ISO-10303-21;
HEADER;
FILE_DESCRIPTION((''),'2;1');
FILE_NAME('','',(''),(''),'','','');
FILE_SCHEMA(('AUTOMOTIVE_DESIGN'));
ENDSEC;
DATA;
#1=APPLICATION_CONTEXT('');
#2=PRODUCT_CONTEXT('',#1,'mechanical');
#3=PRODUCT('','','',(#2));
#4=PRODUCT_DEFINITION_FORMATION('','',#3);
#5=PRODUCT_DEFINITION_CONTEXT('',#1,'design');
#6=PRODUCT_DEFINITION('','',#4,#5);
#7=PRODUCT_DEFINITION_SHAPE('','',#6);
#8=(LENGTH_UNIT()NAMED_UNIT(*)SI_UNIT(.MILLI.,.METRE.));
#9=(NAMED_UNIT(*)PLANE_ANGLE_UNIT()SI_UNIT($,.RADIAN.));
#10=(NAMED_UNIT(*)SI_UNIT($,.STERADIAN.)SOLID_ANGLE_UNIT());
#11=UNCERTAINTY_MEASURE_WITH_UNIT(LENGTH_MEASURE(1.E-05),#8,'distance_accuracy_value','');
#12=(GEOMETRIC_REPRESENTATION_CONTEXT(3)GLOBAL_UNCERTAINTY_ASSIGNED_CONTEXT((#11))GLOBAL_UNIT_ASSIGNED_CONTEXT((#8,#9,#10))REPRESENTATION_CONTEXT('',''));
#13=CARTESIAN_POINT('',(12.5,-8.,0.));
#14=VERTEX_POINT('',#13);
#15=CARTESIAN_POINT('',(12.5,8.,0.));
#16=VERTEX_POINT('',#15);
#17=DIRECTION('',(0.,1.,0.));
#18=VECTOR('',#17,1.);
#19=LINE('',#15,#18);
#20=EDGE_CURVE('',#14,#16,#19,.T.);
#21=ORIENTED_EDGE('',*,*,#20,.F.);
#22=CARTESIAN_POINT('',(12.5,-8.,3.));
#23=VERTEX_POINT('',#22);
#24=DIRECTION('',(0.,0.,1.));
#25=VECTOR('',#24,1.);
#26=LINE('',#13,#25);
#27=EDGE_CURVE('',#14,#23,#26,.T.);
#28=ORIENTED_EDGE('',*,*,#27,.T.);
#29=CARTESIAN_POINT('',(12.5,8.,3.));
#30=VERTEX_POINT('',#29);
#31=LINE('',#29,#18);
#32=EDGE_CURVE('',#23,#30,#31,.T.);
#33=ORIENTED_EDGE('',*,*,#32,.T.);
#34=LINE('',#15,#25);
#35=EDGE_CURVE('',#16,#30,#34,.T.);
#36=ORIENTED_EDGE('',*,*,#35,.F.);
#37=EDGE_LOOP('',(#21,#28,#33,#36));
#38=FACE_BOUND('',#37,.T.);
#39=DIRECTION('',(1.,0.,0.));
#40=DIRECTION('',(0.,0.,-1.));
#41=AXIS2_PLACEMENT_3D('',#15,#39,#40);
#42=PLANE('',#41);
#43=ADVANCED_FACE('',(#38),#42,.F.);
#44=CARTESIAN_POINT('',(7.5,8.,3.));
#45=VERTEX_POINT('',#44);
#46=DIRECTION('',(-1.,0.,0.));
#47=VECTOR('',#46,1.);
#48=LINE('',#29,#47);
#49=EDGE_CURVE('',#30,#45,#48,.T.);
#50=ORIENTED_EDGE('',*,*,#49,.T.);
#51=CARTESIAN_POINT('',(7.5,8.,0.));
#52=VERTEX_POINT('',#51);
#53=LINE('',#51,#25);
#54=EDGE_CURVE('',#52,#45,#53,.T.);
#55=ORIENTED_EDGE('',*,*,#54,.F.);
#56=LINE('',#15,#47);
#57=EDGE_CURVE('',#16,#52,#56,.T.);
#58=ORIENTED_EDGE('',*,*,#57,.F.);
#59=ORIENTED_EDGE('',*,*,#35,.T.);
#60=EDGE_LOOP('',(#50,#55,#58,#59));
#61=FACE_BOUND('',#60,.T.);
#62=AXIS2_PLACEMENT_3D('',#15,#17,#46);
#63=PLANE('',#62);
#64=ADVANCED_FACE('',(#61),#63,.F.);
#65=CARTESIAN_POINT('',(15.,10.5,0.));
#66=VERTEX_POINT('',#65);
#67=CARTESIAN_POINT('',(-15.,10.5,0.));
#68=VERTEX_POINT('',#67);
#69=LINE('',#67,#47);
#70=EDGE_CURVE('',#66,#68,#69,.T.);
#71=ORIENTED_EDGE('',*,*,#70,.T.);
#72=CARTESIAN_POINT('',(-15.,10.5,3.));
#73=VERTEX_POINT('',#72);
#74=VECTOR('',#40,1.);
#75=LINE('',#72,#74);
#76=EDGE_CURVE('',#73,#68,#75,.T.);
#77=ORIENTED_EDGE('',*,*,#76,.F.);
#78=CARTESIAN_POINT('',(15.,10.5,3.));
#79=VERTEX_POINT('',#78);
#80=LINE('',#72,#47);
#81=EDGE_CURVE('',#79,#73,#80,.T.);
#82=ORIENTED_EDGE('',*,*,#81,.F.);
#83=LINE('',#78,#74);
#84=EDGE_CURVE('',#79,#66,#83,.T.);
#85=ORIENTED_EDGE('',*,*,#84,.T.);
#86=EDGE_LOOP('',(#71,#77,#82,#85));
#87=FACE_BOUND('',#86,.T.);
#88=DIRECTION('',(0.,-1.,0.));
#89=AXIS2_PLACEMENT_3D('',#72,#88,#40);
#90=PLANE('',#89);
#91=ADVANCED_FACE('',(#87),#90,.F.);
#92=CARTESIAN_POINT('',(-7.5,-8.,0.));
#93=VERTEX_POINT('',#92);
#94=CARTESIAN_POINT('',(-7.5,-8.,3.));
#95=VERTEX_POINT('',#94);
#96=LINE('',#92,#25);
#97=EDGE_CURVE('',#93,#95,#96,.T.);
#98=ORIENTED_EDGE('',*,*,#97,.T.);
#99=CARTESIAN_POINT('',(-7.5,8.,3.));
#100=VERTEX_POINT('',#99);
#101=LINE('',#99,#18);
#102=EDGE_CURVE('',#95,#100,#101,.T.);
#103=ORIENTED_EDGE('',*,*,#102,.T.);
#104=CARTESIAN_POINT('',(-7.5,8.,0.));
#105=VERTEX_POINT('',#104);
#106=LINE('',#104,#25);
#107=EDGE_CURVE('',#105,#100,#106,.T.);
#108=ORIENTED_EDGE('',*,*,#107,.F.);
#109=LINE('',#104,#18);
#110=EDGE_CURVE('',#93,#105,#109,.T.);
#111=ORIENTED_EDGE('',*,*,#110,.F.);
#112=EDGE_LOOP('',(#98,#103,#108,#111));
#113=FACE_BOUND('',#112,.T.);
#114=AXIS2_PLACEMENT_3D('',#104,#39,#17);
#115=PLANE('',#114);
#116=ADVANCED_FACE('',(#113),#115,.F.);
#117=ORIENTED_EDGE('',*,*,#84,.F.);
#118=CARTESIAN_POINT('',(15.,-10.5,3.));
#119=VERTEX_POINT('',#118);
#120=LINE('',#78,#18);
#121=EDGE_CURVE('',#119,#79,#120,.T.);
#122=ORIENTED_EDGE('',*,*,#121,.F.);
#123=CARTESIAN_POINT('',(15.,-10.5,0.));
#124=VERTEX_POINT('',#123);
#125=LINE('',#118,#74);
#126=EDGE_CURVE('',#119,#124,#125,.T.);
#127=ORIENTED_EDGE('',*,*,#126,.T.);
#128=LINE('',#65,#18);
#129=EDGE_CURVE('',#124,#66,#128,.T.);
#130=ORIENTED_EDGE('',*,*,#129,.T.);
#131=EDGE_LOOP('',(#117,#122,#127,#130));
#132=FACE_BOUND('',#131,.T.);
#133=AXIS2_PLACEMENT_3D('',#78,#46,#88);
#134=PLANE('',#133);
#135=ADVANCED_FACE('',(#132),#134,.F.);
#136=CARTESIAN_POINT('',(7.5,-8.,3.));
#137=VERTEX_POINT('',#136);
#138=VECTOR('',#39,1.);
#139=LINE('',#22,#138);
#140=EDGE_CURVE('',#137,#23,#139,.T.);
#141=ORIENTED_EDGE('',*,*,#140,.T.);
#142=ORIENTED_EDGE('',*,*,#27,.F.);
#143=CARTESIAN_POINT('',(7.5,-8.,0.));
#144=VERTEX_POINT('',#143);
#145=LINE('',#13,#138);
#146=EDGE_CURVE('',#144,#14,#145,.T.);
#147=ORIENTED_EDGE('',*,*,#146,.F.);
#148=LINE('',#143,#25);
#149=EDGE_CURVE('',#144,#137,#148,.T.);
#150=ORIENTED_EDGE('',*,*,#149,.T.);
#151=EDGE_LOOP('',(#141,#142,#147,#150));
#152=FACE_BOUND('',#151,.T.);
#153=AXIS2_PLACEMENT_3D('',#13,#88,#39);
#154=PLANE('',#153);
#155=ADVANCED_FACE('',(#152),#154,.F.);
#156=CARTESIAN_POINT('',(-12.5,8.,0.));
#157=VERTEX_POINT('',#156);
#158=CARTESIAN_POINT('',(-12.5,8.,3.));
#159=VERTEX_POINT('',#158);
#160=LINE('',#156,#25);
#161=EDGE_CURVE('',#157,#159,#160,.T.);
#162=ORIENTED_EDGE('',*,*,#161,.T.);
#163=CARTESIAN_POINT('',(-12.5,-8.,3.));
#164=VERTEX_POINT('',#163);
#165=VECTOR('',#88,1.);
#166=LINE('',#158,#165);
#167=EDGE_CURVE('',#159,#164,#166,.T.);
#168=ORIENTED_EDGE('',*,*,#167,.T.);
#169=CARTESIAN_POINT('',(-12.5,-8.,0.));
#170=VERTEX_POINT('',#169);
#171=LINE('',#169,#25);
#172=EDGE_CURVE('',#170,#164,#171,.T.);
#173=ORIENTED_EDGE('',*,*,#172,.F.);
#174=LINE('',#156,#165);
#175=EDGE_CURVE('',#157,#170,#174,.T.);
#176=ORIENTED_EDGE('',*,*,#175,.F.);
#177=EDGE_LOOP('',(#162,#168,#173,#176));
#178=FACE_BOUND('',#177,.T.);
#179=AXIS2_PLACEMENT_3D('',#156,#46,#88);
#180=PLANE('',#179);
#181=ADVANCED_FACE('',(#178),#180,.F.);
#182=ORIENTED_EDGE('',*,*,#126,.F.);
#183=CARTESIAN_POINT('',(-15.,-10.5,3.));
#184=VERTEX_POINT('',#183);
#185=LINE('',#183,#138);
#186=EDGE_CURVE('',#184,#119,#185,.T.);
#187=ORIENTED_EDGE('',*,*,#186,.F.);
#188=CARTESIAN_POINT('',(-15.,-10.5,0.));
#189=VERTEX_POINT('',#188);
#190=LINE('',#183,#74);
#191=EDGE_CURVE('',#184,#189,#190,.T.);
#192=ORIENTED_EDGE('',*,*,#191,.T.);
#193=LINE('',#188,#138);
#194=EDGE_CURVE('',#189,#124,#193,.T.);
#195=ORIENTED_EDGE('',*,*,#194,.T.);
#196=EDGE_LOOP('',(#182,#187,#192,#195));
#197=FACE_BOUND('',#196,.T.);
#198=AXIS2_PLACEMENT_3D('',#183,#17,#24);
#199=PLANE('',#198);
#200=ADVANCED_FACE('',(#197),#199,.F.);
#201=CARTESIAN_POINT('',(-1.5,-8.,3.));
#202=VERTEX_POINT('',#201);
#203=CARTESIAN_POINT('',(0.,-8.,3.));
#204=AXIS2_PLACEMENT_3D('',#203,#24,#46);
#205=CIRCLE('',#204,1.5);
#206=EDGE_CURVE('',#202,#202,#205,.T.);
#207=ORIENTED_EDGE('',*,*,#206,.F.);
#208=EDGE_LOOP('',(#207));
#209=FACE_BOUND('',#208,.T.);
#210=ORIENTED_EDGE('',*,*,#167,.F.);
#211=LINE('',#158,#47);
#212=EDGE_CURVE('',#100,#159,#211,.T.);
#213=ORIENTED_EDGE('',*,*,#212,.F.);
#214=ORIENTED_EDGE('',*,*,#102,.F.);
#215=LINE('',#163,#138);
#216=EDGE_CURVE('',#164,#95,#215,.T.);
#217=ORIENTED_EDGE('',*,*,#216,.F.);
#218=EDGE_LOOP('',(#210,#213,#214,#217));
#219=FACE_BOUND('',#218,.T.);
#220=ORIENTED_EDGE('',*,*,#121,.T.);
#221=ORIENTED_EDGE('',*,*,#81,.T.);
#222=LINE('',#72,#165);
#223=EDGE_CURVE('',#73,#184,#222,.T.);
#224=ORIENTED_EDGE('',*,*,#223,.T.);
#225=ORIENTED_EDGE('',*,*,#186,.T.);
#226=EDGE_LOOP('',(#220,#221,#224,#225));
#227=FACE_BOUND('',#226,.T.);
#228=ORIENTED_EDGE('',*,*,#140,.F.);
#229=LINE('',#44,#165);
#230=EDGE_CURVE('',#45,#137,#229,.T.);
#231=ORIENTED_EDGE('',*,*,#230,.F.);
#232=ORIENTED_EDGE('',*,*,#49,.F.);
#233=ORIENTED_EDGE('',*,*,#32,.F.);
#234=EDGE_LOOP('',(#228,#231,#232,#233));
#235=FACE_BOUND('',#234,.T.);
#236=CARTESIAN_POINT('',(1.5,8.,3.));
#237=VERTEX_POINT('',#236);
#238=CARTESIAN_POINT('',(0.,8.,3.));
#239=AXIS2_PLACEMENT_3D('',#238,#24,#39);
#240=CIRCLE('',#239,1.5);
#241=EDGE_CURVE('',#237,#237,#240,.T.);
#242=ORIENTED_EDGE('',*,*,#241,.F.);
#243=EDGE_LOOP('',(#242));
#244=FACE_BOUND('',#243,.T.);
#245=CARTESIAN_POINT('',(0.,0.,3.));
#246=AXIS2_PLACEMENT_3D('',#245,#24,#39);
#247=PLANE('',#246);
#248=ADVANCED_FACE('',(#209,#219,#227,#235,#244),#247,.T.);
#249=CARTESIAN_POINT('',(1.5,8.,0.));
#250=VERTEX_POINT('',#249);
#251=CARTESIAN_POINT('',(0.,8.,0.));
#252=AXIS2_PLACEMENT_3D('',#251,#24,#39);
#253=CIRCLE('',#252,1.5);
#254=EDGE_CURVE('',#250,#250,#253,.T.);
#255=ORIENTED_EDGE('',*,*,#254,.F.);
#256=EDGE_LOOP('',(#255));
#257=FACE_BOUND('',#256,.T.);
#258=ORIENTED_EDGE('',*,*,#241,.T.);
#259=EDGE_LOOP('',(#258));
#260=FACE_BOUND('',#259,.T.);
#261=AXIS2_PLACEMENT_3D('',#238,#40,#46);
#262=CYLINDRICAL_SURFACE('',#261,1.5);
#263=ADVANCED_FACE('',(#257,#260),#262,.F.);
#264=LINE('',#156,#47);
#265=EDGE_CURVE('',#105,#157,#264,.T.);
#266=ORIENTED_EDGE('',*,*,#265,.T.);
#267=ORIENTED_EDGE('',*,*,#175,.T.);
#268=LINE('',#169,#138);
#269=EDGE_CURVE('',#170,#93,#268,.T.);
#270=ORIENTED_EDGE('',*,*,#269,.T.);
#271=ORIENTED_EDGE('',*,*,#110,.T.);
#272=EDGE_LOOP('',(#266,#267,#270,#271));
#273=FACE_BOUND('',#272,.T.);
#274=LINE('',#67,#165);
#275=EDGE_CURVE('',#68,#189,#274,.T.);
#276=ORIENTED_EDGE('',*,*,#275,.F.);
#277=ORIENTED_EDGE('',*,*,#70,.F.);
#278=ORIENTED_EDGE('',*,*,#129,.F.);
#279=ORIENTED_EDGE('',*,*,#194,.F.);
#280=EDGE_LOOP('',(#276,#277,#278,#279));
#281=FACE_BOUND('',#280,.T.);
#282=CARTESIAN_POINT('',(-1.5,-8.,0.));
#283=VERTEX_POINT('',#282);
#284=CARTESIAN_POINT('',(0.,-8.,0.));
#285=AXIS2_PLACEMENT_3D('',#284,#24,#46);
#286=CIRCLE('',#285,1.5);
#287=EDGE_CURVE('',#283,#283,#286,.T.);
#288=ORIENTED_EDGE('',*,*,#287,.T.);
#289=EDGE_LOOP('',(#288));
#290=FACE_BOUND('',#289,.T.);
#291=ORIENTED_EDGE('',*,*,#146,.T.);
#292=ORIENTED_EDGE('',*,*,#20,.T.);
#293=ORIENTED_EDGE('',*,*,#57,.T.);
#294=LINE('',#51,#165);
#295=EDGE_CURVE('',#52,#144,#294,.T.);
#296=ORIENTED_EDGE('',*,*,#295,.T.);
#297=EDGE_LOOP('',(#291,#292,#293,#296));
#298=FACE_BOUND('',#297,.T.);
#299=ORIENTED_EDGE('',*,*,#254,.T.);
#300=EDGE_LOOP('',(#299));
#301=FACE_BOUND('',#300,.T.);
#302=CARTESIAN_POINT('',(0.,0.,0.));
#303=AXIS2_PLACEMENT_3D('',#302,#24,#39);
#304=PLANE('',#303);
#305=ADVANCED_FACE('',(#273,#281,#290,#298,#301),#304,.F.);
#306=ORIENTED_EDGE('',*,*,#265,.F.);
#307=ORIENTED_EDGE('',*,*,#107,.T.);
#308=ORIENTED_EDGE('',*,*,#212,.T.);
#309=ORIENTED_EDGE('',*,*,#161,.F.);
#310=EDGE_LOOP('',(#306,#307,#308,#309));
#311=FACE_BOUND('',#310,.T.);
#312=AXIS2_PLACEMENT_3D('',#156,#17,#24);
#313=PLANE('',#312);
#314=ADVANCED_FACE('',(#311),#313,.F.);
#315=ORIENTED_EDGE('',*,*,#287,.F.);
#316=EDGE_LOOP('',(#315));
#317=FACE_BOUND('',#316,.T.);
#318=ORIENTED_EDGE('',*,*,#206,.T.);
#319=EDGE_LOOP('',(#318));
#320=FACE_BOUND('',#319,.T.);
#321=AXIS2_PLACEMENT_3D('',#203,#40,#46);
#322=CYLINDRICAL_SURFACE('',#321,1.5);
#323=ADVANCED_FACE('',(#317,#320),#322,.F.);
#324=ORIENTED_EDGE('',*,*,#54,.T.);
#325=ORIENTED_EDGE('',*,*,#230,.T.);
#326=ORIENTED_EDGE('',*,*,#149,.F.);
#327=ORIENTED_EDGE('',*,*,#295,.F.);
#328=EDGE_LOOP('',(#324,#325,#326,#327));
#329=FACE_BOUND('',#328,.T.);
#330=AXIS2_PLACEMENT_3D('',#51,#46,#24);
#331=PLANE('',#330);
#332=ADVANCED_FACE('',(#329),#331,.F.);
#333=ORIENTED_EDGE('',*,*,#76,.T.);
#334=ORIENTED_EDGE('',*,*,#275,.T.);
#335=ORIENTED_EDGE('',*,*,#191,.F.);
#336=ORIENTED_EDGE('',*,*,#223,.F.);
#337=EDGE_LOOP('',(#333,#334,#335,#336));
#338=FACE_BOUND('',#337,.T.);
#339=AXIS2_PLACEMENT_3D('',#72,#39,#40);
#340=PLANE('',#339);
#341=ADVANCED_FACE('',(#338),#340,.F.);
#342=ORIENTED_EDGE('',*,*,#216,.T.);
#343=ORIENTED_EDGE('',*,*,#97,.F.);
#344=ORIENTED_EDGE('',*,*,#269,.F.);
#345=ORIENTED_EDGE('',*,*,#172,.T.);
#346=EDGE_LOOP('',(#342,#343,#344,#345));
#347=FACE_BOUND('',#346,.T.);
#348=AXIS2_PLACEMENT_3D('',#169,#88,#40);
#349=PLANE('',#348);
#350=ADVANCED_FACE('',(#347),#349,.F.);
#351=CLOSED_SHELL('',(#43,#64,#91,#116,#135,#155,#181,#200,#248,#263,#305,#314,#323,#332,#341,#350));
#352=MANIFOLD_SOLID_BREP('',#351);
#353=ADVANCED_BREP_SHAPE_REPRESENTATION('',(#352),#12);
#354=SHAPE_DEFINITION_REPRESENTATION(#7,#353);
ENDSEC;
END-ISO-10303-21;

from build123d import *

# Parameters (mm, degrees)
SKETCH_1_W          = 30
SKETCH_1_H          = 21
SKETCH_1_R          = 1.5
EXTRUDE_1_DEPTH     = 3
SKETCH_2_W          = 5
SKETCH_2_H          = 16
CUT_EXTRUDE_1_DEPTH = 19.553975315


with BuildPart() as part:
    # 草图1 → 凸台-拉伸1 (new body)
    with BuildSketch(Plane.XY):
        Rectangle(SKETCH_1_W, SKETCH_1_H)
        with Locations((0, 8)):
            Circle(SKETCH_1_R, mode=Mode.SUBTRACT)
        with Locations(Location((0, -8, 0), (0, 0, 180))):
            Circle(SKETCH_1_R, mode=Mode.SUBTRACT)
    extrude(amount=EXTRUDE_1_DEPTH)

    # 草图2 → 切除-拉伸1 (cut, through all)
    with BuildSketch(Plane.XY.offset(3)):
        with Locations((-10, 0)):
            Rectangle(SKETCH_2_W, SKETCH_2_H)
        with Locations((10, 0)):
            Rectangle(SKETCH_2_W, SKETCH_2_H)
    extrude(amount=-CUT_EXTRUDE_1_DEPTH, mode=Mode.SUBTRACT)


solid = part.part
